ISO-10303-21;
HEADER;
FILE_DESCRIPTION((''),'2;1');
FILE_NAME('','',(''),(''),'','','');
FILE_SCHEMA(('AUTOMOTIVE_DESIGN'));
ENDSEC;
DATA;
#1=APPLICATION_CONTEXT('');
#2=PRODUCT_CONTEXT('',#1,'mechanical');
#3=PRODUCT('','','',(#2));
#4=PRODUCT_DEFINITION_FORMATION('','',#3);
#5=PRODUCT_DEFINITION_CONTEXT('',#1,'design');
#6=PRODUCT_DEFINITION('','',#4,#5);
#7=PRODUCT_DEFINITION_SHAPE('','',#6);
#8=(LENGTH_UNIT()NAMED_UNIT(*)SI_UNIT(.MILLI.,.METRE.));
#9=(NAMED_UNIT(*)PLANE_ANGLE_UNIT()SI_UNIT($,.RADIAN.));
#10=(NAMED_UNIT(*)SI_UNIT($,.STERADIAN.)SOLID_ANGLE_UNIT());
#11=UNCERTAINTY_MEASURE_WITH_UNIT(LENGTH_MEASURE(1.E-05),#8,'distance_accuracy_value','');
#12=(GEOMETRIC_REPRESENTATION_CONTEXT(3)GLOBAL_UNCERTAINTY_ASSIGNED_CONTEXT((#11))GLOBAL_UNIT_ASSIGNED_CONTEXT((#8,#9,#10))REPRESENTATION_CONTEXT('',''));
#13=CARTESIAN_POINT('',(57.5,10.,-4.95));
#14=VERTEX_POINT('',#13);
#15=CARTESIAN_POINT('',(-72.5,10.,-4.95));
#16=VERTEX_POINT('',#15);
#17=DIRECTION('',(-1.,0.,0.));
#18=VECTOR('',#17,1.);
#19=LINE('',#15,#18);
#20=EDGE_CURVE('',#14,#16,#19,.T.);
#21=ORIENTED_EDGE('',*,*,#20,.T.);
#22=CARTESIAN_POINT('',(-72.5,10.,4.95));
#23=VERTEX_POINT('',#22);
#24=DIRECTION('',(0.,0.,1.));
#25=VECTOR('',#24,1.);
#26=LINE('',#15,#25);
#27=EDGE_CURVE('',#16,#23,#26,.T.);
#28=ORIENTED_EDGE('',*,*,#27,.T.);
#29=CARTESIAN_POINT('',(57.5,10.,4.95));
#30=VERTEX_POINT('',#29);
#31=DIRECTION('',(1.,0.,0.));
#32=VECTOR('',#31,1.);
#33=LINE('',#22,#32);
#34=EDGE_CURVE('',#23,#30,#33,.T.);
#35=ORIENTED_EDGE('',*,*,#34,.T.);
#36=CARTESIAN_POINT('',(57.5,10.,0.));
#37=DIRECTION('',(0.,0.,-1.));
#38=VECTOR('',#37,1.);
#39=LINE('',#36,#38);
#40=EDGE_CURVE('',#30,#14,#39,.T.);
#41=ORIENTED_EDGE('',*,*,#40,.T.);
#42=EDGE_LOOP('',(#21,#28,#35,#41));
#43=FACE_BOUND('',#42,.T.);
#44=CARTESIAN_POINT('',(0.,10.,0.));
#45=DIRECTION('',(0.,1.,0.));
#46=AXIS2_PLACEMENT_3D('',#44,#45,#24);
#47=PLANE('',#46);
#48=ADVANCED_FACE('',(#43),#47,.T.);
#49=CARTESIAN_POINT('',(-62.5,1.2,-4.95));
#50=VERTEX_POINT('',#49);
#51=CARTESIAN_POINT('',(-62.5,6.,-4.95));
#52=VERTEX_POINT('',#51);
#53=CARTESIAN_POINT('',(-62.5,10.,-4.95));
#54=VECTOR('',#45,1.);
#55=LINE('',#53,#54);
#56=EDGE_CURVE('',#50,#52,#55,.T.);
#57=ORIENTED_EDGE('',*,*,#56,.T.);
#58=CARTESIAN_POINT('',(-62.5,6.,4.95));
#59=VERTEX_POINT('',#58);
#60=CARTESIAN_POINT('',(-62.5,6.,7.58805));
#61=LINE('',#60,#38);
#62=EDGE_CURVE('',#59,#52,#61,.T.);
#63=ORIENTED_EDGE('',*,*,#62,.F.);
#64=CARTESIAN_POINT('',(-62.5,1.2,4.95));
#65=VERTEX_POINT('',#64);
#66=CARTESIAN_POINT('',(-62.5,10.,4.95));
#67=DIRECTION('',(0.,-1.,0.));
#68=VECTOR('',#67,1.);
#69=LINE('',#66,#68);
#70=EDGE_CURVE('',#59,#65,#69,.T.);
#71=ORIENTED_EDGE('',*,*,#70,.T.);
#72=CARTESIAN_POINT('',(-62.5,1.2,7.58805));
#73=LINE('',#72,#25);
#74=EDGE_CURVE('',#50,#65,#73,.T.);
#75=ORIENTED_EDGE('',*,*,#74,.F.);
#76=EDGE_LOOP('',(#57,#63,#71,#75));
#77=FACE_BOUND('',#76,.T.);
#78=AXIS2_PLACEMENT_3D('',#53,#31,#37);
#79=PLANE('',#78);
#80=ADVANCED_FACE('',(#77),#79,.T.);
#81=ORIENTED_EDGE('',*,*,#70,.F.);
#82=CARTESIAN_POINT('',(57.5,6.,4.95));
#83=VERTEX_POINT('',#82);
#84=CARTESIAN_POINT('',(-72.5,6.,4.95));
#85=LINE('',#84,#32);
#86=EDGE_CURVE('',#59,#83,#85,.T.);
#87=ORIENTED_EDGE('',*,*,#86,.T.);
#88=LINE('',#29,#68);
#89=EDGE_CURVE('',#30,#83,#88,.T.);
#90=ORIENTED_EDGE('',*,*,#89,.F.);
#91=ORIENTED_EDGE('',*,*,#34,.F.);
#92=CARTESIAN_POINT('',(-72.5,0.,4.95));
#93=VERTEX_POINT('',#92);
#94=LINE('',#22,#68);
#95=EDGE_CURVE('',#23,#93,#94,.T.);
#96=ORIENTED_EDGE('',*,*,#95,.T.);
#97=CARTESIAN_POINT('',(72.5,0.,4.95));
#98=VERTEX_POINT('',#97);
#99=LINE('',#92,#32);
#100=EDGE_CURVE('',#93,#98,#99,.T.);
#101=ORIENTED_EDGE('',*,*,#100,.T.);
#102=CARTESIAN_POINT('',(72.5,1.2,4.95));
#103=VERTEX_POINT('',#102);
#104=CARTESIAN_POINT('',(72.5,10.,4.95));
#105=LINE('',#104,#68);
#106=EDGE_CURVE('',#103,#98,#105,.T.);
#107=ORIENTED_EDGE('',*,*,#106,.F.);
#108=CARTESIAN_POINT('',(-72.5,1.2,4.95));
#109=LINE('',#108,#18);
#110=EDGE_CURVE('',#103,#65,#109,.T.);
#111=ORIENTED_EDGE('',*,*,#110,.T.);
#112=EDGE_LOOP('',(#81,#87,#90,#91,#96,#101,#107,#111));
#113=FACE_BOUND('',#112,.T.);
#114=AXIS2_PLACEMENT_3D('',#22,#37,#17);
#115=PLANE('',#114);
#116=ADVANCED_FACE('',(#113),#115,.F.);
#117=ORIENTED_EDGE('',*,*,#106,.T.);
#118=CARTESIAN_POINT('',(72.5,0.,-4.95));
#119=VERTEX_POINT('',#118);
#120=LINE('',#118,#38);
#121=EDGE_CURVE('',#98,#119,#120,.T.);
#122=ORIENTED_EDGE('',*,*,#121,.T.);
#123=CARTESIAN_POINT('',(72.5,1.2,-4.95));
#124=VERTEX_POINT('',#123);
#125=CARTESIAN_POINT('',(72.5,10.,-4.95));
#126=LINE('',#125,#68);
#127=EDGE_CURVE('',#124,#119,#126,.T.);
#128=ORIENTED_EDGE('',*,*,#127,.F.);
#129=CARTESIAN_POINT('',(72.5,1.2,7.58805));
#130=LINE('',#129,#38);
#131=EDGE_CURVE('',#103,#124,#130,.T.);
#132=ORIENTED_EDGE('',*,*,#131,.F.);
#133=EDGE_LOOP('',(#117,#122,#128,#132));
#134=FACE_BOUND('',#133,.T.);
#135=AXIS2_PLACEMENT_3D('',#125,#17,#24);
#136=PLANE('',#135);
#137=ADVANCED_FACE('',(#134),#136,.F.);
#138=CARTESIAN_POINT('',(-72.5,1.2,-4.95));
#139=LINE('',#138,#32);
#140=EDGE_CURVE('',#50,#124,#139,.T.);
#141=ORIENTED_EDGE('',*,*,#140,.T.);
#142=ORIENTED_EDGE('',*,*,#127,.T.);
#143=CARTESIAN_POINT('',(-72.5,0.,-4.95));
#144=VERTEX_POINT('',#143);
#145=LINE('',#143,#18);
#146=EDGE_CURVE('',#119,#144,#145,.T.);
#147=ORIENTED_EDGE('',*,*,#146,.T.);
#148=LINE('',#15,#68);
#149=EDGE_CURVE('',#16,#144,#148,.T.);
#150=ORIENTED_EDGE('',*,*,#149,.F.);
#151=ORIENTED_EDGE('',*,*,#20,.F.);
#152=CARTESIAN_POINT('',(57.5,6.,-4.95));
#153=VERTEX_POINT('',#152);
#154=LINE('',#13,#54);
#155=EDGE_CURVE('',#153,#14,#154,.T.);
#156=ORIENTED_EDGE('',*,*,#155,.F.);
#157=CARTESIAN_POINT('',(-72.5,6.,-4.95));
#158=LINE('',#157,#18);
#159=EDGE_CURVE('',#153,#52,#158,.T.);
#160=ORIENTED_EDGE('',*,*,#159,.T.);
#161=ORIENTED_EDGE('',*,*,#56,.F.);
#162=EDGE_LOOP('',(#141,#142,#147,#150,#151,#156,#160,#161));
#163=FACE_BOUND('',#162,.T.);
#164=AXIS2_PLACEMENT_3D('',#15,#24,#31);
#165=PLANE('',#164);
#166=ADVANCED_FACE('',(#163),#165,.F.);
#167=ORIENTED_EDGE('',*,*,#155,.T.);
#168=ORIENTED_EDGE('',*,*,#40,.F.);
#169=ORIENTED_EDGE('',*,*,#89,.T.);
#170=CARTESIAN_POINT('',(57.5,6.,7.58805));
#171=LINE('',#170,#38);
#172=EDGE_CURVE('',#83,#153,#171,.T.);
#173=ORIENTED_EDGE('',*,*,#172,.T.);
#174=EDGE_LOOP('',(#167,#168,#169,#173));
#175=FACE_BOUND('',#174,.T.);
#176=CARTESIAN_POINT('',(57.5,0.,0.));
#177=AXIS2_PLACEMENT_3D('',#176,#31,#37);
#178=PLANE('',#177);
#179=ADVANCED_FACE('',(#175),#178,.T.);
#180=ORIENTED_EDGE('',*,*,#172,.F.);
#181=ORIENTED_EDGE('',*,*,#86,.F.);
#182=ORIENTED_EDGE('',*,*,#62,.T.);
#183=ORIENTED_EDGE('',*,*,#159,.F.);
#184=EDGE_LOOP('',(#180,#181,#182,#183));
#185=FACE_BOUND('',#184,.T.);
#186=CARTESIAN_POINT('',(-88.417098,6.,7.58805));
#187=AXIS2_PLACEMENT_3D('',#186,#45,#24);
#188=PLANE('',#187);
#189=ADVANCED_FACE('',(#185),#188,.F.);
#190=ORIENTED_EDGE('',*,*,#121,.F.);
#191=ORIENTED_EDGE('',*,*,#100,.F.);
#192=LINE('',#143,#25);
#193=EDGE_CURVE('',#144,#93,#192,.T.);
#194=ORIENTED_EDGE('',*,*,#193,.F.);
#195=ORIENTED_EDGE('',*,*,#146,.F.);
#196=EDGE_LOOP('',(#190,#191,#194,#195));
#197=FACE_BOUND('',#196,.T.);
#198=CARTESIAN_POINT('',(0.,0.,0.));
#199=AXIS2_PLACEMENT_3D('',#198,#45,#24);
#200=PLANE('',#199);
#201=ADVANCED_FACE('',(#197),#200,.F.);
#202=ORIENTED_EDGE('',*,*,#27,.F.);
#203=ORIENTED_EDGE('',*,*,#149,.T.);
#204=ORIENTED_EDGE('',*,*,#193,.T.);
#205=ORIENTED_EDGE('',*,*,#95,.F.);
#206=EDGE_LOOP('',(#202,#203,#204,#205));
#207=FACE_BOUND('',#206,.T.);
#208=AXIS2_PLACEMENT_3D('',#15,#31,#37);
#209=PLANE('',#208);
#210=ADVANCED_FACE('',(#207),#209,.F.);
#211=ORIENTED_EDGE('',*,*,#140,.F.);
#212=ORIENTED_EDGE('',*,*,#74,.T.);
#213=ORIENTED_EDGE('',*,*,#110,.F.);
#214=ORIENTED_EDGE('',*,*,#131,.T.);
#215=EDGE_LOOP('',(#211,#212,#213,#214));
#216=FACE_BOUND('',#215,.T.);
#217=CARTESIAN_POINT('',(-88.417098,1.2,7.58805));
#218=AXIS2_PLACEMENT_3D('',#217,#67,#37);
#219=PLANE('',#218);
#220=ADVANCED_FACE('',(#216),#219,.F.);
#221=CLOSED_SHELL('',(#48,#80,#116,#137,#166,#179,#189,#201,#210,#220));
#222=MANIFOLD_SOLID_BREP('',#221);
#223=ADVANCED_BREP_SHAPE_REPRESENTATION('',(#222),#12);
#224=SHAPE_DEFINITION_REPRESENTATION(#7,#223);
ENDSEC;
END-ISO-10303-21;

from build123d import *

# Parameters (mm, degrees)
SKETCH1_W           = 145
SKETCH1_H           = 9.9
BOSS_EXTRUDE1_DEPTH = 10
SKETCH2_W           = 15.17609959
SKETCH2_H           = 4.8
CUT_EXTRUDE1_DEPTH  = 135
SKETCH3_W           = 11.317178526
SKETCH3_H           = 5.799550562
CUT_EXTRUDE2_DEPTH  = 15


with BuildPart() as part:
    # Sketch1 → Boss-Extrude1 (new body)
    with BuildSketch(Plane(origin=(0, 0, 0), x_dir=(1, 0, 0), z_dir=(0, 1, 0))):
        Rectangle(SKETCH1_W, SKETCH1_H)
    extrude(amount=BOSS_EXTRUDE1_DEPTH)

    # Sketch2 → Cut-Extrude1 (cut)
    with BuildSketch(Plane(origin=(72.5, 0, 0), x_dir=(0, 0, -1), z_dir=(1, 0, 0))):
        with Locations((0, 3.6)):
            Rectangle(SKETCH2_W, SKETCH2_H)
    extrude(amount=-CUT_EXTRUDE1_DEPTH, mode=Mode.SUBTRACT)

    # Sketch3 → Cut-Extrude2 (cut)
    with BuildSketch(Plane(origin=(72.5, 0, 0), x_dir=(0, 0, -1), z_dir=(1, 0, 0))):
        with Locations((0, 7.899775281)):
            Rectangle(SKETCH3_W, SKETCH3_H)
    extrude(amount=-CUT_EXTRUDE2_DEPTH, mode=Mode.SUBTRACT)


solid = part.part
